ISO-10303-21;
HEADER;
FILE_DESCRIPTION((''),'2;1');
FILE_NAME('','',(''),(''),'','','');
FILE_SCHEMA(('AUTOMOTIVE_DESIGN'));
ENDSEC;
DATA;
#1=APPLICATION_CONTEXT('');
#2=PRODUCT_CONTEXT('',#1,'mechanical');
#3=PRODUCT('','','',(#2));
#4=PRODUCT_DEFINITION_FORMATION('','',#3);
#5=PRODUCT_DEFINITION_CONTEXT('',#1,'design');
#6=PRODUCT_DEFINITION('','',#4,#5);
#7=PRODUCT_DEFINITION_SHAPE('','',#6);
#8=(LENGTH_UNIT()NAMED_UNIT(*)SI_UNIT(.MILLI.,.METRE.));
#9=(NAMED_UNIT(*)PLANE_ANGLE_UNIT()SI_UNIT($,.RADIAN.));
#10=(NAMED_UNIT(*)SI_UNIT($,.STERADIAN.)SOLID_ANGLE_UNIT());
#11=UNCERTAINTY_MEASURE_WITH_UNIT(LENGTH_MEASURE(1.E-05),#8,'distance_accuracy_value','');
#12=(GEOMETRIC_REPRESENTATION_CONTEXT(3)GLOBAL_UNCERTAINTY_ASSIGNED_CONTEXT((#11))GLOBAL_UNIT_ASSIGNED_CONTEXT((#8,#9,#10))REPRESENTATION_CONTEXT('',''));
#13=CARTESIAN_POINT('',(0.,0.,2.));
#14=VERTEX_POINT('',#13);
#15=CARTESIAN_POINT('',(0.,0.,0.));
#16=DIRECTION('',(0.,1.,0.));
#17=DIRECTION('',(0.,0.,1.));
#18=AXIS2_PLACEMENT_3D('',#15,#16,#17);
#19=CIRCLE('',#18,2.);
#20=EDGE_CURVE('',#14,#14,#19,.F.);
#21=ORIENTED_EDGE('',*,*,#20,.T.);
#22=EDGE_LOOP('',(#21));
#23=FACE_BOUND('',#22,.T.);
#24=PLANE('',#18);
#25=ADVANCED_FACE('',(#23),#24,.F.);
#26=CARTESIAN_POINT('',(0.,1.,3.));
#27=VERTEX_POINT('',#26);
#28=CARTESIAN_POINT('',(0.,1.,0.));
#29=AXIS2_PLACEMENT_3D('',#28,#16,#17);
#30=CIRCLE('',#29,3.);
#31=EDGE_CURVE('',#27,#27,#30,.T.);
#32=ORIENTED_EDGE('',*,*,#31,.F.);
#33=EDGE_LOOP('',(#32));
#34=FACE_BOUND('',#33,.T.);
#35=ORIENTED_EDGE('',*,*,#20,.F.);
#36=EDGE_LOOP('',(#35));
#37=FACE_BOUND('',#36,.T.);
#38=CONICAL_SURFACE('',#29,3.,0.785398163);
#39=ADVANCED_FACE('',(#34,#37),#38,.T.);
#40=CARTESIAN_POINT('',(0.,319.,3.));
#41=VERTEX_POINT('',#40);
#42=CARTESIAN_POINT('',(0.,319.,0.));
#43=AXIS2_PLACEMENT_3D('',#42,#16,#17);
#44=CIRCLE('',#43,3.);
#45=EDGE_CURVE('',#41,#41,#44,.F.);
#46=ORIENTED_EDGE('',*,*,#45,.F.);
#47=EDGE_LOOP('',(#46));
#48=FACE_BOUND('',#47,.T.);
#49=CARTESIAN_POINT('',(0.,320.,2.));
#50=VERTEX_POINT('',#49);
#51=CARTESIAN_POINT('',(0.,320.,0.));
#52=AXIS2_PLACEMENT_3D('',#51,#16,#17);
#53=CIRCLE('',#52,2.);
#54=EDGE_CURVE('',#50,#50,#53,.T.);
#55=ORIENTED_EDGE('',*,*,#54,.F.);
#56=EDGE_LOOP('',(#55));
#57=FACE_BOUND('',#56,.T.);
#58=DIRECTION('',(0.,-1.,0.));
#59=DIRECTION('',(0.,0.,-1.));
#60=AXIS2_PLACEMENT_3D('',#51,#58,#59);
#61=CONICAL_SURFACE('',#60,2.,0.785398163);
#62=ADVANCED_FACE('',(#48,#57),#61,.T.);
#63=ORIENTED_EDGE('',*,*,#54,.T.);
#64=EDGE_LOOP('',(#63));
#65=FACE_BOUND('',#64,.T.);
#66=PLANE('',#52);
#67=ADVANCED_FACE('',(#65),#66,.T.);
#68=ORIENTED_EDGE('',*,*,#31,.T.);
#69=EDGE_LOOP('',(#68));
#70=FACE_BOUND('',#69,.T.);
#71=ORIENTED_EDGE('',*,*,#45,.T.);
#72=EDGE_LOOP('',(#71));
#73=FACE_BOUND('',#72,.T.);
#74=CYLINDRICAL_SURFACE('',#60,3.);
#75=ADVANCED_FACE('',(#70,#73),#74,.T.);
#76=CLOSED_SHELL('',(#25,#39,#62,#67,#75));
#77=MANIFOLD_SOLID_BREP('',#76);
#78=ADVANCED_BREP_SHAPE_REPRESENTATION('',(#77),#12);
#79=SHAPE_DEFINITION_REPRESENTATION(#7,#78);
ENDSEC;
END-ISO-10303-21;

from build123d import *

# Parameters (mm, degrees)
SKETCH_1_R      = 3
EXTRUDE_1_DEPTH = 320
CHAMFER_1_SIZE  = 1
CHAMFER_2_SIZE  = 1


with BuildPart() as part:
    # Эскиз1 → Бобышка-Вытянуть1 (new body)
    with BuildSketch(Plane(origin=(0, 0, 0), x_dir=(1, 0, 0), z_dir=(0, 1, 0))):
        Circle(SKETCH_1_R)
    extrude(amount=EXTRUDE_1_DEPTH)

    # Фаска1
    chamfer_1_edges = [part.edges().sort_by_distance(p)[0] for p in [
        (-3, 320, 0),
    ]]
    chamfer(chamfer_1_edges, length=CHAMFER_1_SIZE)

    # Фаска2
    chamfer_2_edges = [part.edges().sort_by_distance(p)[0] for p in [
        (-3, 0, 0),
    ]]
    chamfer(chamfer_2_edges, length=CHAMFER_2_SIZE)


solid = part.part
